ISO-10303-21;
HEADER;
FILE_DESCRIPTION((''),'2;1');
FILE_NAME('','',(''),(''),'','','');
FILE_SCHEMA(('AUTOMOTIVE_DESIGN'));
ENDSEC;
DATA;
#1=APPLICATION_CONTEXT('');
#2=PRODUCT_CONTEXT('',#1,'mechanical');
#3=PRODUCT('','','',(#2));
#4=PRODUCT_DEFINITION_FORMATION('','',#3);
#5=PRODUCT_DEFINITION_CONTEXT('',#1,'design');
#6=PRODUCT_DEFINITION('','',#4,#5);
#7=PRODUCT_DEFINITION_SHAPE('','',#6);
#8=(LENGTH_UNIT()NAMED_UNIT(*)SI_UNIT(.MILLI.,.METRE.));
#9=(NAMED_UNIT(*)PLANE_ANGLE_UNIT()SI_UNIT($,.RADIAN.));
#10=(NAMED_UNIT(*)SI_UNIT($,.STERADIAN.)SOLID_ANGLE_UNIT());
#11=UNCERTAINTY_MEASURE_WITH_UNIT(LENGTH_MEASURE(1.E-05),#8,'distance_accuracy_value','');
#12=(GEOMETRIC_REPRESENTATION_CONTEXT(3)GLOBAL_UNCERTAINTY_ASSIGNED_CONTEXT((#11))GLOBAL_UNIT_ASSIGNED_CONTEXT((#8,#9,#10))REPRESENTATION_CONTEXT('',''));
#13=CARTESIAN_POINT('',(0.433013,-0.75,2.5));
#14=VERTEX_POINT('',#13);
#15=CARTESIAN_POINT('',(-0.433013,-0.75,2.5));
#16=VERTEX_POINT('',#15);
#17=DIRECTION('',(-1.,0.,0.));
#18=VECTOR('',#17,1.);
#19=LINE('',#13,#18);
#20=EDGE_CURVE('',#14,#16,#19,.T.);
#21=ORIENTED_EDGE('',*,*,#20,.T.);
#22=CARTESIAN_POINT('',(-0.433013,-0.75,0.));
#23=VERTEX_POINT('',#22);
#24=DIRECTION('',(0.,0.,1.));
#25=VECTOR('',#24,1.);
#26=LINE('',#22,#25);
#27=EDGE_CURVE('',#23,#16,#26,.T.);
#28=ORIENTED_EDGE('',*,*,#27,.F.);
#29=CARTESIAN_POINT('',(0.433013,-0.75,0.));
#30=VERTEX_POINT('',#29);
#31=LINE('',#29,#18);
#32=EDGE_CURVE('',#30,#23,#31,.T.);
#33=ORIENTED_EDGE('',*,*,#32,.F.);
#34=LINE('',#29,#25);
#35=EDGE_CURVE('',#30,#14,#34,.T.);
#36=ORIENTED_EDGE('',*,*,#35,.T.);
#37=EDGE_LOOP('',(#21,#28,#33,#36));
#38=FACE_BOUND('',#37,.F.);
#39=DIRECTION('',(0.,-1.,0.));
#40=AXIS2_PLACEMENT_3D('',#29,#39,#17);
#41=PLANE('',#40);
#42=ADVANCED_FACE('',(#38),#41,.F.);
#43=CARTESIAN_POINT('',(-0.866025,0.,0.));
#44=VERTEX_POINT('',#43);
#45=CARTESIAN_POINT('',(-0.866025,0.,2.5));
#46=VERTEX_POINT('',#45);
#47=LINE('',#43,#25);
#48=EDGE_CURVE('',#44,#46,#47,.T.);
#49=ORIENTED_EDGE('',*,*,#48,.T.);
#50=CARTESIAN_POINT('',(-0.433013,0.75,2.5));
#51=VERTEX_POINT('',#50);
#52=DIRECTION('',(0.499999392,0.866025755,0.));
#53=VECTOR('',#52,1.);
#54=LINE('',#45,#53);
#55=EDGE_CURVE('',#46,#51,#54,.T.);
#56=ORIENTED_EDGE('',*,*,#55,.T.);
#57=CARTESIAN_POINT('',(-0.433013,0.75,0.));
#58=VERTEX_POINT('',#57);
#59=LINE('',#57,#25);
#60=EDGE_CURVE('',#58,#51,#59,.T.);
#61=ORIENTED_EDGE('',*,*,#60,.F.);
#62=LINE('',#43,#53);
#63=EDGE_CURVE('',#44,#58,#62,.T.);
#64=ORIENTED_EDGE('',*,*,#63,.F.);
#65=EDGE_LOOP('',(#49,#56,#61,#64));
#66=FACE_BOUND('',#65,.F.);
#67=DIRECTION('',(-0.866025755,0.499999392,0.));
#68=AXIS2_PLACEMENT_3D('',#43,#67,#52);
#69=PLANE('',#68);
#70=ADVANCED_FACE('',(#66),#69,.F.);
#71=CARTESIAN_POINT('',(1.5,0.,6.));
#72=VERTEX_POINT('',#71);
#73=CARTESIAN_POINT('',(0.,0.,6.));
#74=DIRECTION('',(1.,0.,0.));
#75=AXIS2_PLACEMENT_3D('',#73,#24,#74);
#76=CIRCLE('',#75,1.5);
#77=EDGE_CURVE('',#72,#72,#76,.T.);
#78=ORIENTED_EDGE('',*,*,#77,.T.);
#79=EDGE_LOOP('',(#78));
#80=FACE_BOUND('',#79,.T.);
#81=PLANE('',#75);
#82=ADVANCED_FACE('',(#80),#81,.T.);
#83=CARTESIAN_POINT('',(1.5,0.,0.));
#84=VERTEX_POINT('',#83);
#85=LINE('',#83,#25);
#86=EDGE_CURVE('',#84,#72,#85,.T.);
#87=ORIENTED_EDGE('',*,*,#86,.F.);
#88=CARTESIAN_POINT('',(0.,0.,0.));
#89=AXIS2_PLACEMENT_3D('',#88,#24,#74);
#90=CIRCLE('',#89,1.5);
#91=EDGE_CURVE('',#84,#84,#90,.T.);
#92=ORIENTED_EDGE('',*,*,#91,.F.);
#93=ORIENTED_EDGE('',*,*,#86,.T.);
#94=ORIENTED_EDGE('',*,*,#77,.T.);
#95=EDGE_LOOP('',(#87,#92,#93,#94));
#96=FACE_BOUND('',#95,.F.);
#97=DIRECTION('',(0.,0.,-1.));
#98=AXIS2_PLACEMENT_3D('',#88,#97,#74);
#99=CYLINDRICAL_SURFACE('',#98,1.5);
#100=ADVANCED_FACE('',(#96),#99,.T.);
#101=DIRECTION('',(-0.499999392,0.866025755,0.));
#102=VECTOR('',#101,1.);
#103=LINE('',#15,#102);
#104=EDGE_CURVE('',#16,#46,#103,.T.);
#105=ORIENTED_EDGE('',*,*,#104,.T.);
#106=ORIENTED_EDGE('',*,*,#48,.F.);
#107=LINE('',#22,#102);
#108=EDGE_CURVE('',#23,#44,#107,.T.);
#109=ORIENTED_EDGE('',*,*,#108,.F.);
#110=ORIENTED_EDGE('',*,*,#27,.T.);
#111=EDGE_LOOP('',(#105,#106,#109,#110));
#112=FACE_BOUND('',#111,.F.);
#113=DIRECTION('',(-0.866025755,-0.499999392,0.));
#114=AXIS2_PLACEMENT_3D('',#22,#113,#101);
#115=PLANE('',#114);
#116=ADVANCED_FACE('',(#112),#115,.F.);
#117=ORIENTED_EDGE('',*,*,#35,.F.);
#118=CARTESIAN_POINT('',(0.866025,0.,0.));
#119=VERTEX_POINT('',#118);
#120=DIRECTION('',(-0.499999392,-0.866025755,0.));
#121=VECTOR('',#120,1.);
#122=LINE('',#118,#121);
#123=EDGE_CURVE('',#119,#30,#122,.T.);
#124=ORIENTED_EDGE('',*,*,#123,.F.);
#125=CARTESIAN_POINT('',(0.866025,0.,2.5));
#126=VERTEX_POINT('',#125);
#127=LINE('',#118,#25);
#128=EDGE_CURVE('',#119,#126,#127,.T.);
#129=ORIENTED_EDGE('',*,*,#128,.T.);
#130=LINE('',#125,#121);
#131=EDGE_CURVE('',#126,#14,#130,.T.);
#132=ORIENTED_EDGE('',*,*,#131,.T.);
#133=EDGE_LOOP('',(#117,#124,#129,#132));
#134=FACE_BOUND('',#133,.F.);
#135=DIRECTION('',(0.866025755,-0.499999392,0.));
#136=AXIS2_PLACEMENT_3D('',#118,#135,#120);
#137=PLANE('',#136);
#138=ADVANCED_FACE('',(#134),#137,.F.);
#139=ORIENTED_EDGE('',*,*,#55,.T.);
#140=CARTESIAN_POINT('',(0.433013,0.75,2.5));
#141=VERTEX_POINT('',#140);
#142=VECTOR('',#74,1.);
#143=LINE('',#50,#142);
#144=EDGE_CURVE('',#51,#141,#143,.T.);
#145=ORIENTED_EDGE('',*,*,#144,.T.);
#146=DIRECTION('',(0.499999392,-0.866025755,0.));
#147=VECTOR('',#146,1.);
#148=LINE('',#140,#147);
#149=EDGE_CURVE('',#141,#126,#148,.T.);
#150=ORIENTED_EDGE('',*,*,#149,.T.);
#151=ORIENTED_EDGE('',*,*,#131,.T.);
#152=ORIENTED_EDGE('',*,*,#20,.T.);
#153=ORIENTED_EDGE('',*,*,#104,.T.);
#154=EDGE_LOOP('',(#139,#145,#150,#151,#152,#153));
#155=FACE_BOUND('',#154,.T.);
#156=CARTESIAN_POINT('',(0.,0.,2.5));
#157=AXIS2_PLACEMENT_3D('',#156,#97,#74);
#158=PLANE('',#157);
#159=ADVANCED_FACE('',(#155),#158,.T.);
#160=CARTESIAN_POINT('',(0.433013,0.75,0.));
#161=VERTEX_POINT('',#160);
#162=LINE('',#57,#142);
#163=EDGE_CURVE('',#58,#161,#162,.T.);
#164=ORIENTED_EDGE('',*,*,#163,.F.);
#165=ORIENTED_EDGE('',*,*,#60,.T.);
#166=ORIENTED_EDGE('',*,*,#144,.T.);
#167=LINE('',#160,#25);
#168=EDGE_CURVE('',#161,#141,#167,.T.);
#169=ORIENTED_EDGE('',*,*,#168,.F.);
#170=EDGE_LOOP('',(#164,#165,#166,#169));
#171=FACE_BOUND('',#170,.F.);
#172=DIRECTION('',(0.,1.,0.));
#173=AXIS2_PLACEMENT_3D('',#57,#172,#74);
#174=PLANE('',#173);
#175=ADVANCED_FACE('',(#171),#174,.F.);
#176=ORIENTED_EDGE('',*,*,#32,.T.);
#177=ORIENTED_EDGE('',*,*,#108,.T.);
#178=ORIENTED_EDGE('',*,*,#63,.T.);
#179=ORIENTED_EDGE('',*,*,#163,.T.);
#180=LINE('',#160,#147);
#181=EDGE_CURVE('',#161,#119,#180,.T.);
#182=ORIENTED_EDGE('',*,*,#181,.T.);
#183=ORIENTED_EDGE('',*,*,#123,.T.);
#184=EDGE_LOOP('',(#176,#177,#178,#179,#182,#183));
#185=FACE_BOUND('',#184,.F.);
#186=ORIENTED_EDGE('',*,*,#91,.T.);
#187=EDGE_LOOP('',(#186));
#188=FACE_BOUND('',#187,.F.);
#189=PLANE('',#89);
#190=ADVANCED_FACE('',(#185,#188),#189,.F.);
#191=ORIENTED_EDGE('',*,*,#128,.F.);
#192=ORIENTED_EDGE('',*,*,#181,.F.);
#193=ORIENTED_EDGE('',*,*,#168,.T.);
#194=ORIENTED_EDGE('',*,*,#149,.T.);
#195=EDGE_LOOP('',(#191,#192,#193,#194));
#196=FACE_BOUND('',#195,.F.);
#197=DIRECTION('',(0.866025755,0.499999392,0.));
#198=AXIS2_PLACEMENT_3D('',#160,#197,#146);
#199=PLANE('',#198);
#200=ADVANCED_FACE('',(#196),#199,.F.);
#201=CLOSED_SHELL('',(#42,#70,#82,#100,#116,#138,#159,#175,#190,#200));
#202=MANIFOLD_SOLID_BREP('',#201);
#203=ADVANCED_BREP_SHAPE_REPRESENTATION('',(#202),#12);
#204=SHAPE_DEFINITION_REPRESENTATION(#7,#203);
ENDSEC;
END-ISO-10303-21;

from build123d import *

# Parameters (mm, degrees)
SKETCH_R     = 1.5
PAD_DEPTH    = 6
POCKET_DEPTH = 2.5


with BuildPart() as part:
    # Sketch → Pad (new body)
    with BuildSketch(Plane.XY):
        Circle(SKETCH_R)
    extrude(amount=PAD_DEPTH)

    # Sketch001 (on Face2 of Pad) → Pocket (cut)
    with BuildSketch(Plane(origin=(0, 0, 0), x_dir=(1, 0, 0), z_dir=(0, 0, -1))):
        Polygon((0.866025, 0), (0.433013, 0.75), (-0.433013, 0.75), (-0.866025, 0), (-0.433013, -0.75), (0.433013, -0.75), align=None)
    extrude(amount=-POCKET_DEPTH, mode=Mode.SUBTRACT)


solid = part.part
